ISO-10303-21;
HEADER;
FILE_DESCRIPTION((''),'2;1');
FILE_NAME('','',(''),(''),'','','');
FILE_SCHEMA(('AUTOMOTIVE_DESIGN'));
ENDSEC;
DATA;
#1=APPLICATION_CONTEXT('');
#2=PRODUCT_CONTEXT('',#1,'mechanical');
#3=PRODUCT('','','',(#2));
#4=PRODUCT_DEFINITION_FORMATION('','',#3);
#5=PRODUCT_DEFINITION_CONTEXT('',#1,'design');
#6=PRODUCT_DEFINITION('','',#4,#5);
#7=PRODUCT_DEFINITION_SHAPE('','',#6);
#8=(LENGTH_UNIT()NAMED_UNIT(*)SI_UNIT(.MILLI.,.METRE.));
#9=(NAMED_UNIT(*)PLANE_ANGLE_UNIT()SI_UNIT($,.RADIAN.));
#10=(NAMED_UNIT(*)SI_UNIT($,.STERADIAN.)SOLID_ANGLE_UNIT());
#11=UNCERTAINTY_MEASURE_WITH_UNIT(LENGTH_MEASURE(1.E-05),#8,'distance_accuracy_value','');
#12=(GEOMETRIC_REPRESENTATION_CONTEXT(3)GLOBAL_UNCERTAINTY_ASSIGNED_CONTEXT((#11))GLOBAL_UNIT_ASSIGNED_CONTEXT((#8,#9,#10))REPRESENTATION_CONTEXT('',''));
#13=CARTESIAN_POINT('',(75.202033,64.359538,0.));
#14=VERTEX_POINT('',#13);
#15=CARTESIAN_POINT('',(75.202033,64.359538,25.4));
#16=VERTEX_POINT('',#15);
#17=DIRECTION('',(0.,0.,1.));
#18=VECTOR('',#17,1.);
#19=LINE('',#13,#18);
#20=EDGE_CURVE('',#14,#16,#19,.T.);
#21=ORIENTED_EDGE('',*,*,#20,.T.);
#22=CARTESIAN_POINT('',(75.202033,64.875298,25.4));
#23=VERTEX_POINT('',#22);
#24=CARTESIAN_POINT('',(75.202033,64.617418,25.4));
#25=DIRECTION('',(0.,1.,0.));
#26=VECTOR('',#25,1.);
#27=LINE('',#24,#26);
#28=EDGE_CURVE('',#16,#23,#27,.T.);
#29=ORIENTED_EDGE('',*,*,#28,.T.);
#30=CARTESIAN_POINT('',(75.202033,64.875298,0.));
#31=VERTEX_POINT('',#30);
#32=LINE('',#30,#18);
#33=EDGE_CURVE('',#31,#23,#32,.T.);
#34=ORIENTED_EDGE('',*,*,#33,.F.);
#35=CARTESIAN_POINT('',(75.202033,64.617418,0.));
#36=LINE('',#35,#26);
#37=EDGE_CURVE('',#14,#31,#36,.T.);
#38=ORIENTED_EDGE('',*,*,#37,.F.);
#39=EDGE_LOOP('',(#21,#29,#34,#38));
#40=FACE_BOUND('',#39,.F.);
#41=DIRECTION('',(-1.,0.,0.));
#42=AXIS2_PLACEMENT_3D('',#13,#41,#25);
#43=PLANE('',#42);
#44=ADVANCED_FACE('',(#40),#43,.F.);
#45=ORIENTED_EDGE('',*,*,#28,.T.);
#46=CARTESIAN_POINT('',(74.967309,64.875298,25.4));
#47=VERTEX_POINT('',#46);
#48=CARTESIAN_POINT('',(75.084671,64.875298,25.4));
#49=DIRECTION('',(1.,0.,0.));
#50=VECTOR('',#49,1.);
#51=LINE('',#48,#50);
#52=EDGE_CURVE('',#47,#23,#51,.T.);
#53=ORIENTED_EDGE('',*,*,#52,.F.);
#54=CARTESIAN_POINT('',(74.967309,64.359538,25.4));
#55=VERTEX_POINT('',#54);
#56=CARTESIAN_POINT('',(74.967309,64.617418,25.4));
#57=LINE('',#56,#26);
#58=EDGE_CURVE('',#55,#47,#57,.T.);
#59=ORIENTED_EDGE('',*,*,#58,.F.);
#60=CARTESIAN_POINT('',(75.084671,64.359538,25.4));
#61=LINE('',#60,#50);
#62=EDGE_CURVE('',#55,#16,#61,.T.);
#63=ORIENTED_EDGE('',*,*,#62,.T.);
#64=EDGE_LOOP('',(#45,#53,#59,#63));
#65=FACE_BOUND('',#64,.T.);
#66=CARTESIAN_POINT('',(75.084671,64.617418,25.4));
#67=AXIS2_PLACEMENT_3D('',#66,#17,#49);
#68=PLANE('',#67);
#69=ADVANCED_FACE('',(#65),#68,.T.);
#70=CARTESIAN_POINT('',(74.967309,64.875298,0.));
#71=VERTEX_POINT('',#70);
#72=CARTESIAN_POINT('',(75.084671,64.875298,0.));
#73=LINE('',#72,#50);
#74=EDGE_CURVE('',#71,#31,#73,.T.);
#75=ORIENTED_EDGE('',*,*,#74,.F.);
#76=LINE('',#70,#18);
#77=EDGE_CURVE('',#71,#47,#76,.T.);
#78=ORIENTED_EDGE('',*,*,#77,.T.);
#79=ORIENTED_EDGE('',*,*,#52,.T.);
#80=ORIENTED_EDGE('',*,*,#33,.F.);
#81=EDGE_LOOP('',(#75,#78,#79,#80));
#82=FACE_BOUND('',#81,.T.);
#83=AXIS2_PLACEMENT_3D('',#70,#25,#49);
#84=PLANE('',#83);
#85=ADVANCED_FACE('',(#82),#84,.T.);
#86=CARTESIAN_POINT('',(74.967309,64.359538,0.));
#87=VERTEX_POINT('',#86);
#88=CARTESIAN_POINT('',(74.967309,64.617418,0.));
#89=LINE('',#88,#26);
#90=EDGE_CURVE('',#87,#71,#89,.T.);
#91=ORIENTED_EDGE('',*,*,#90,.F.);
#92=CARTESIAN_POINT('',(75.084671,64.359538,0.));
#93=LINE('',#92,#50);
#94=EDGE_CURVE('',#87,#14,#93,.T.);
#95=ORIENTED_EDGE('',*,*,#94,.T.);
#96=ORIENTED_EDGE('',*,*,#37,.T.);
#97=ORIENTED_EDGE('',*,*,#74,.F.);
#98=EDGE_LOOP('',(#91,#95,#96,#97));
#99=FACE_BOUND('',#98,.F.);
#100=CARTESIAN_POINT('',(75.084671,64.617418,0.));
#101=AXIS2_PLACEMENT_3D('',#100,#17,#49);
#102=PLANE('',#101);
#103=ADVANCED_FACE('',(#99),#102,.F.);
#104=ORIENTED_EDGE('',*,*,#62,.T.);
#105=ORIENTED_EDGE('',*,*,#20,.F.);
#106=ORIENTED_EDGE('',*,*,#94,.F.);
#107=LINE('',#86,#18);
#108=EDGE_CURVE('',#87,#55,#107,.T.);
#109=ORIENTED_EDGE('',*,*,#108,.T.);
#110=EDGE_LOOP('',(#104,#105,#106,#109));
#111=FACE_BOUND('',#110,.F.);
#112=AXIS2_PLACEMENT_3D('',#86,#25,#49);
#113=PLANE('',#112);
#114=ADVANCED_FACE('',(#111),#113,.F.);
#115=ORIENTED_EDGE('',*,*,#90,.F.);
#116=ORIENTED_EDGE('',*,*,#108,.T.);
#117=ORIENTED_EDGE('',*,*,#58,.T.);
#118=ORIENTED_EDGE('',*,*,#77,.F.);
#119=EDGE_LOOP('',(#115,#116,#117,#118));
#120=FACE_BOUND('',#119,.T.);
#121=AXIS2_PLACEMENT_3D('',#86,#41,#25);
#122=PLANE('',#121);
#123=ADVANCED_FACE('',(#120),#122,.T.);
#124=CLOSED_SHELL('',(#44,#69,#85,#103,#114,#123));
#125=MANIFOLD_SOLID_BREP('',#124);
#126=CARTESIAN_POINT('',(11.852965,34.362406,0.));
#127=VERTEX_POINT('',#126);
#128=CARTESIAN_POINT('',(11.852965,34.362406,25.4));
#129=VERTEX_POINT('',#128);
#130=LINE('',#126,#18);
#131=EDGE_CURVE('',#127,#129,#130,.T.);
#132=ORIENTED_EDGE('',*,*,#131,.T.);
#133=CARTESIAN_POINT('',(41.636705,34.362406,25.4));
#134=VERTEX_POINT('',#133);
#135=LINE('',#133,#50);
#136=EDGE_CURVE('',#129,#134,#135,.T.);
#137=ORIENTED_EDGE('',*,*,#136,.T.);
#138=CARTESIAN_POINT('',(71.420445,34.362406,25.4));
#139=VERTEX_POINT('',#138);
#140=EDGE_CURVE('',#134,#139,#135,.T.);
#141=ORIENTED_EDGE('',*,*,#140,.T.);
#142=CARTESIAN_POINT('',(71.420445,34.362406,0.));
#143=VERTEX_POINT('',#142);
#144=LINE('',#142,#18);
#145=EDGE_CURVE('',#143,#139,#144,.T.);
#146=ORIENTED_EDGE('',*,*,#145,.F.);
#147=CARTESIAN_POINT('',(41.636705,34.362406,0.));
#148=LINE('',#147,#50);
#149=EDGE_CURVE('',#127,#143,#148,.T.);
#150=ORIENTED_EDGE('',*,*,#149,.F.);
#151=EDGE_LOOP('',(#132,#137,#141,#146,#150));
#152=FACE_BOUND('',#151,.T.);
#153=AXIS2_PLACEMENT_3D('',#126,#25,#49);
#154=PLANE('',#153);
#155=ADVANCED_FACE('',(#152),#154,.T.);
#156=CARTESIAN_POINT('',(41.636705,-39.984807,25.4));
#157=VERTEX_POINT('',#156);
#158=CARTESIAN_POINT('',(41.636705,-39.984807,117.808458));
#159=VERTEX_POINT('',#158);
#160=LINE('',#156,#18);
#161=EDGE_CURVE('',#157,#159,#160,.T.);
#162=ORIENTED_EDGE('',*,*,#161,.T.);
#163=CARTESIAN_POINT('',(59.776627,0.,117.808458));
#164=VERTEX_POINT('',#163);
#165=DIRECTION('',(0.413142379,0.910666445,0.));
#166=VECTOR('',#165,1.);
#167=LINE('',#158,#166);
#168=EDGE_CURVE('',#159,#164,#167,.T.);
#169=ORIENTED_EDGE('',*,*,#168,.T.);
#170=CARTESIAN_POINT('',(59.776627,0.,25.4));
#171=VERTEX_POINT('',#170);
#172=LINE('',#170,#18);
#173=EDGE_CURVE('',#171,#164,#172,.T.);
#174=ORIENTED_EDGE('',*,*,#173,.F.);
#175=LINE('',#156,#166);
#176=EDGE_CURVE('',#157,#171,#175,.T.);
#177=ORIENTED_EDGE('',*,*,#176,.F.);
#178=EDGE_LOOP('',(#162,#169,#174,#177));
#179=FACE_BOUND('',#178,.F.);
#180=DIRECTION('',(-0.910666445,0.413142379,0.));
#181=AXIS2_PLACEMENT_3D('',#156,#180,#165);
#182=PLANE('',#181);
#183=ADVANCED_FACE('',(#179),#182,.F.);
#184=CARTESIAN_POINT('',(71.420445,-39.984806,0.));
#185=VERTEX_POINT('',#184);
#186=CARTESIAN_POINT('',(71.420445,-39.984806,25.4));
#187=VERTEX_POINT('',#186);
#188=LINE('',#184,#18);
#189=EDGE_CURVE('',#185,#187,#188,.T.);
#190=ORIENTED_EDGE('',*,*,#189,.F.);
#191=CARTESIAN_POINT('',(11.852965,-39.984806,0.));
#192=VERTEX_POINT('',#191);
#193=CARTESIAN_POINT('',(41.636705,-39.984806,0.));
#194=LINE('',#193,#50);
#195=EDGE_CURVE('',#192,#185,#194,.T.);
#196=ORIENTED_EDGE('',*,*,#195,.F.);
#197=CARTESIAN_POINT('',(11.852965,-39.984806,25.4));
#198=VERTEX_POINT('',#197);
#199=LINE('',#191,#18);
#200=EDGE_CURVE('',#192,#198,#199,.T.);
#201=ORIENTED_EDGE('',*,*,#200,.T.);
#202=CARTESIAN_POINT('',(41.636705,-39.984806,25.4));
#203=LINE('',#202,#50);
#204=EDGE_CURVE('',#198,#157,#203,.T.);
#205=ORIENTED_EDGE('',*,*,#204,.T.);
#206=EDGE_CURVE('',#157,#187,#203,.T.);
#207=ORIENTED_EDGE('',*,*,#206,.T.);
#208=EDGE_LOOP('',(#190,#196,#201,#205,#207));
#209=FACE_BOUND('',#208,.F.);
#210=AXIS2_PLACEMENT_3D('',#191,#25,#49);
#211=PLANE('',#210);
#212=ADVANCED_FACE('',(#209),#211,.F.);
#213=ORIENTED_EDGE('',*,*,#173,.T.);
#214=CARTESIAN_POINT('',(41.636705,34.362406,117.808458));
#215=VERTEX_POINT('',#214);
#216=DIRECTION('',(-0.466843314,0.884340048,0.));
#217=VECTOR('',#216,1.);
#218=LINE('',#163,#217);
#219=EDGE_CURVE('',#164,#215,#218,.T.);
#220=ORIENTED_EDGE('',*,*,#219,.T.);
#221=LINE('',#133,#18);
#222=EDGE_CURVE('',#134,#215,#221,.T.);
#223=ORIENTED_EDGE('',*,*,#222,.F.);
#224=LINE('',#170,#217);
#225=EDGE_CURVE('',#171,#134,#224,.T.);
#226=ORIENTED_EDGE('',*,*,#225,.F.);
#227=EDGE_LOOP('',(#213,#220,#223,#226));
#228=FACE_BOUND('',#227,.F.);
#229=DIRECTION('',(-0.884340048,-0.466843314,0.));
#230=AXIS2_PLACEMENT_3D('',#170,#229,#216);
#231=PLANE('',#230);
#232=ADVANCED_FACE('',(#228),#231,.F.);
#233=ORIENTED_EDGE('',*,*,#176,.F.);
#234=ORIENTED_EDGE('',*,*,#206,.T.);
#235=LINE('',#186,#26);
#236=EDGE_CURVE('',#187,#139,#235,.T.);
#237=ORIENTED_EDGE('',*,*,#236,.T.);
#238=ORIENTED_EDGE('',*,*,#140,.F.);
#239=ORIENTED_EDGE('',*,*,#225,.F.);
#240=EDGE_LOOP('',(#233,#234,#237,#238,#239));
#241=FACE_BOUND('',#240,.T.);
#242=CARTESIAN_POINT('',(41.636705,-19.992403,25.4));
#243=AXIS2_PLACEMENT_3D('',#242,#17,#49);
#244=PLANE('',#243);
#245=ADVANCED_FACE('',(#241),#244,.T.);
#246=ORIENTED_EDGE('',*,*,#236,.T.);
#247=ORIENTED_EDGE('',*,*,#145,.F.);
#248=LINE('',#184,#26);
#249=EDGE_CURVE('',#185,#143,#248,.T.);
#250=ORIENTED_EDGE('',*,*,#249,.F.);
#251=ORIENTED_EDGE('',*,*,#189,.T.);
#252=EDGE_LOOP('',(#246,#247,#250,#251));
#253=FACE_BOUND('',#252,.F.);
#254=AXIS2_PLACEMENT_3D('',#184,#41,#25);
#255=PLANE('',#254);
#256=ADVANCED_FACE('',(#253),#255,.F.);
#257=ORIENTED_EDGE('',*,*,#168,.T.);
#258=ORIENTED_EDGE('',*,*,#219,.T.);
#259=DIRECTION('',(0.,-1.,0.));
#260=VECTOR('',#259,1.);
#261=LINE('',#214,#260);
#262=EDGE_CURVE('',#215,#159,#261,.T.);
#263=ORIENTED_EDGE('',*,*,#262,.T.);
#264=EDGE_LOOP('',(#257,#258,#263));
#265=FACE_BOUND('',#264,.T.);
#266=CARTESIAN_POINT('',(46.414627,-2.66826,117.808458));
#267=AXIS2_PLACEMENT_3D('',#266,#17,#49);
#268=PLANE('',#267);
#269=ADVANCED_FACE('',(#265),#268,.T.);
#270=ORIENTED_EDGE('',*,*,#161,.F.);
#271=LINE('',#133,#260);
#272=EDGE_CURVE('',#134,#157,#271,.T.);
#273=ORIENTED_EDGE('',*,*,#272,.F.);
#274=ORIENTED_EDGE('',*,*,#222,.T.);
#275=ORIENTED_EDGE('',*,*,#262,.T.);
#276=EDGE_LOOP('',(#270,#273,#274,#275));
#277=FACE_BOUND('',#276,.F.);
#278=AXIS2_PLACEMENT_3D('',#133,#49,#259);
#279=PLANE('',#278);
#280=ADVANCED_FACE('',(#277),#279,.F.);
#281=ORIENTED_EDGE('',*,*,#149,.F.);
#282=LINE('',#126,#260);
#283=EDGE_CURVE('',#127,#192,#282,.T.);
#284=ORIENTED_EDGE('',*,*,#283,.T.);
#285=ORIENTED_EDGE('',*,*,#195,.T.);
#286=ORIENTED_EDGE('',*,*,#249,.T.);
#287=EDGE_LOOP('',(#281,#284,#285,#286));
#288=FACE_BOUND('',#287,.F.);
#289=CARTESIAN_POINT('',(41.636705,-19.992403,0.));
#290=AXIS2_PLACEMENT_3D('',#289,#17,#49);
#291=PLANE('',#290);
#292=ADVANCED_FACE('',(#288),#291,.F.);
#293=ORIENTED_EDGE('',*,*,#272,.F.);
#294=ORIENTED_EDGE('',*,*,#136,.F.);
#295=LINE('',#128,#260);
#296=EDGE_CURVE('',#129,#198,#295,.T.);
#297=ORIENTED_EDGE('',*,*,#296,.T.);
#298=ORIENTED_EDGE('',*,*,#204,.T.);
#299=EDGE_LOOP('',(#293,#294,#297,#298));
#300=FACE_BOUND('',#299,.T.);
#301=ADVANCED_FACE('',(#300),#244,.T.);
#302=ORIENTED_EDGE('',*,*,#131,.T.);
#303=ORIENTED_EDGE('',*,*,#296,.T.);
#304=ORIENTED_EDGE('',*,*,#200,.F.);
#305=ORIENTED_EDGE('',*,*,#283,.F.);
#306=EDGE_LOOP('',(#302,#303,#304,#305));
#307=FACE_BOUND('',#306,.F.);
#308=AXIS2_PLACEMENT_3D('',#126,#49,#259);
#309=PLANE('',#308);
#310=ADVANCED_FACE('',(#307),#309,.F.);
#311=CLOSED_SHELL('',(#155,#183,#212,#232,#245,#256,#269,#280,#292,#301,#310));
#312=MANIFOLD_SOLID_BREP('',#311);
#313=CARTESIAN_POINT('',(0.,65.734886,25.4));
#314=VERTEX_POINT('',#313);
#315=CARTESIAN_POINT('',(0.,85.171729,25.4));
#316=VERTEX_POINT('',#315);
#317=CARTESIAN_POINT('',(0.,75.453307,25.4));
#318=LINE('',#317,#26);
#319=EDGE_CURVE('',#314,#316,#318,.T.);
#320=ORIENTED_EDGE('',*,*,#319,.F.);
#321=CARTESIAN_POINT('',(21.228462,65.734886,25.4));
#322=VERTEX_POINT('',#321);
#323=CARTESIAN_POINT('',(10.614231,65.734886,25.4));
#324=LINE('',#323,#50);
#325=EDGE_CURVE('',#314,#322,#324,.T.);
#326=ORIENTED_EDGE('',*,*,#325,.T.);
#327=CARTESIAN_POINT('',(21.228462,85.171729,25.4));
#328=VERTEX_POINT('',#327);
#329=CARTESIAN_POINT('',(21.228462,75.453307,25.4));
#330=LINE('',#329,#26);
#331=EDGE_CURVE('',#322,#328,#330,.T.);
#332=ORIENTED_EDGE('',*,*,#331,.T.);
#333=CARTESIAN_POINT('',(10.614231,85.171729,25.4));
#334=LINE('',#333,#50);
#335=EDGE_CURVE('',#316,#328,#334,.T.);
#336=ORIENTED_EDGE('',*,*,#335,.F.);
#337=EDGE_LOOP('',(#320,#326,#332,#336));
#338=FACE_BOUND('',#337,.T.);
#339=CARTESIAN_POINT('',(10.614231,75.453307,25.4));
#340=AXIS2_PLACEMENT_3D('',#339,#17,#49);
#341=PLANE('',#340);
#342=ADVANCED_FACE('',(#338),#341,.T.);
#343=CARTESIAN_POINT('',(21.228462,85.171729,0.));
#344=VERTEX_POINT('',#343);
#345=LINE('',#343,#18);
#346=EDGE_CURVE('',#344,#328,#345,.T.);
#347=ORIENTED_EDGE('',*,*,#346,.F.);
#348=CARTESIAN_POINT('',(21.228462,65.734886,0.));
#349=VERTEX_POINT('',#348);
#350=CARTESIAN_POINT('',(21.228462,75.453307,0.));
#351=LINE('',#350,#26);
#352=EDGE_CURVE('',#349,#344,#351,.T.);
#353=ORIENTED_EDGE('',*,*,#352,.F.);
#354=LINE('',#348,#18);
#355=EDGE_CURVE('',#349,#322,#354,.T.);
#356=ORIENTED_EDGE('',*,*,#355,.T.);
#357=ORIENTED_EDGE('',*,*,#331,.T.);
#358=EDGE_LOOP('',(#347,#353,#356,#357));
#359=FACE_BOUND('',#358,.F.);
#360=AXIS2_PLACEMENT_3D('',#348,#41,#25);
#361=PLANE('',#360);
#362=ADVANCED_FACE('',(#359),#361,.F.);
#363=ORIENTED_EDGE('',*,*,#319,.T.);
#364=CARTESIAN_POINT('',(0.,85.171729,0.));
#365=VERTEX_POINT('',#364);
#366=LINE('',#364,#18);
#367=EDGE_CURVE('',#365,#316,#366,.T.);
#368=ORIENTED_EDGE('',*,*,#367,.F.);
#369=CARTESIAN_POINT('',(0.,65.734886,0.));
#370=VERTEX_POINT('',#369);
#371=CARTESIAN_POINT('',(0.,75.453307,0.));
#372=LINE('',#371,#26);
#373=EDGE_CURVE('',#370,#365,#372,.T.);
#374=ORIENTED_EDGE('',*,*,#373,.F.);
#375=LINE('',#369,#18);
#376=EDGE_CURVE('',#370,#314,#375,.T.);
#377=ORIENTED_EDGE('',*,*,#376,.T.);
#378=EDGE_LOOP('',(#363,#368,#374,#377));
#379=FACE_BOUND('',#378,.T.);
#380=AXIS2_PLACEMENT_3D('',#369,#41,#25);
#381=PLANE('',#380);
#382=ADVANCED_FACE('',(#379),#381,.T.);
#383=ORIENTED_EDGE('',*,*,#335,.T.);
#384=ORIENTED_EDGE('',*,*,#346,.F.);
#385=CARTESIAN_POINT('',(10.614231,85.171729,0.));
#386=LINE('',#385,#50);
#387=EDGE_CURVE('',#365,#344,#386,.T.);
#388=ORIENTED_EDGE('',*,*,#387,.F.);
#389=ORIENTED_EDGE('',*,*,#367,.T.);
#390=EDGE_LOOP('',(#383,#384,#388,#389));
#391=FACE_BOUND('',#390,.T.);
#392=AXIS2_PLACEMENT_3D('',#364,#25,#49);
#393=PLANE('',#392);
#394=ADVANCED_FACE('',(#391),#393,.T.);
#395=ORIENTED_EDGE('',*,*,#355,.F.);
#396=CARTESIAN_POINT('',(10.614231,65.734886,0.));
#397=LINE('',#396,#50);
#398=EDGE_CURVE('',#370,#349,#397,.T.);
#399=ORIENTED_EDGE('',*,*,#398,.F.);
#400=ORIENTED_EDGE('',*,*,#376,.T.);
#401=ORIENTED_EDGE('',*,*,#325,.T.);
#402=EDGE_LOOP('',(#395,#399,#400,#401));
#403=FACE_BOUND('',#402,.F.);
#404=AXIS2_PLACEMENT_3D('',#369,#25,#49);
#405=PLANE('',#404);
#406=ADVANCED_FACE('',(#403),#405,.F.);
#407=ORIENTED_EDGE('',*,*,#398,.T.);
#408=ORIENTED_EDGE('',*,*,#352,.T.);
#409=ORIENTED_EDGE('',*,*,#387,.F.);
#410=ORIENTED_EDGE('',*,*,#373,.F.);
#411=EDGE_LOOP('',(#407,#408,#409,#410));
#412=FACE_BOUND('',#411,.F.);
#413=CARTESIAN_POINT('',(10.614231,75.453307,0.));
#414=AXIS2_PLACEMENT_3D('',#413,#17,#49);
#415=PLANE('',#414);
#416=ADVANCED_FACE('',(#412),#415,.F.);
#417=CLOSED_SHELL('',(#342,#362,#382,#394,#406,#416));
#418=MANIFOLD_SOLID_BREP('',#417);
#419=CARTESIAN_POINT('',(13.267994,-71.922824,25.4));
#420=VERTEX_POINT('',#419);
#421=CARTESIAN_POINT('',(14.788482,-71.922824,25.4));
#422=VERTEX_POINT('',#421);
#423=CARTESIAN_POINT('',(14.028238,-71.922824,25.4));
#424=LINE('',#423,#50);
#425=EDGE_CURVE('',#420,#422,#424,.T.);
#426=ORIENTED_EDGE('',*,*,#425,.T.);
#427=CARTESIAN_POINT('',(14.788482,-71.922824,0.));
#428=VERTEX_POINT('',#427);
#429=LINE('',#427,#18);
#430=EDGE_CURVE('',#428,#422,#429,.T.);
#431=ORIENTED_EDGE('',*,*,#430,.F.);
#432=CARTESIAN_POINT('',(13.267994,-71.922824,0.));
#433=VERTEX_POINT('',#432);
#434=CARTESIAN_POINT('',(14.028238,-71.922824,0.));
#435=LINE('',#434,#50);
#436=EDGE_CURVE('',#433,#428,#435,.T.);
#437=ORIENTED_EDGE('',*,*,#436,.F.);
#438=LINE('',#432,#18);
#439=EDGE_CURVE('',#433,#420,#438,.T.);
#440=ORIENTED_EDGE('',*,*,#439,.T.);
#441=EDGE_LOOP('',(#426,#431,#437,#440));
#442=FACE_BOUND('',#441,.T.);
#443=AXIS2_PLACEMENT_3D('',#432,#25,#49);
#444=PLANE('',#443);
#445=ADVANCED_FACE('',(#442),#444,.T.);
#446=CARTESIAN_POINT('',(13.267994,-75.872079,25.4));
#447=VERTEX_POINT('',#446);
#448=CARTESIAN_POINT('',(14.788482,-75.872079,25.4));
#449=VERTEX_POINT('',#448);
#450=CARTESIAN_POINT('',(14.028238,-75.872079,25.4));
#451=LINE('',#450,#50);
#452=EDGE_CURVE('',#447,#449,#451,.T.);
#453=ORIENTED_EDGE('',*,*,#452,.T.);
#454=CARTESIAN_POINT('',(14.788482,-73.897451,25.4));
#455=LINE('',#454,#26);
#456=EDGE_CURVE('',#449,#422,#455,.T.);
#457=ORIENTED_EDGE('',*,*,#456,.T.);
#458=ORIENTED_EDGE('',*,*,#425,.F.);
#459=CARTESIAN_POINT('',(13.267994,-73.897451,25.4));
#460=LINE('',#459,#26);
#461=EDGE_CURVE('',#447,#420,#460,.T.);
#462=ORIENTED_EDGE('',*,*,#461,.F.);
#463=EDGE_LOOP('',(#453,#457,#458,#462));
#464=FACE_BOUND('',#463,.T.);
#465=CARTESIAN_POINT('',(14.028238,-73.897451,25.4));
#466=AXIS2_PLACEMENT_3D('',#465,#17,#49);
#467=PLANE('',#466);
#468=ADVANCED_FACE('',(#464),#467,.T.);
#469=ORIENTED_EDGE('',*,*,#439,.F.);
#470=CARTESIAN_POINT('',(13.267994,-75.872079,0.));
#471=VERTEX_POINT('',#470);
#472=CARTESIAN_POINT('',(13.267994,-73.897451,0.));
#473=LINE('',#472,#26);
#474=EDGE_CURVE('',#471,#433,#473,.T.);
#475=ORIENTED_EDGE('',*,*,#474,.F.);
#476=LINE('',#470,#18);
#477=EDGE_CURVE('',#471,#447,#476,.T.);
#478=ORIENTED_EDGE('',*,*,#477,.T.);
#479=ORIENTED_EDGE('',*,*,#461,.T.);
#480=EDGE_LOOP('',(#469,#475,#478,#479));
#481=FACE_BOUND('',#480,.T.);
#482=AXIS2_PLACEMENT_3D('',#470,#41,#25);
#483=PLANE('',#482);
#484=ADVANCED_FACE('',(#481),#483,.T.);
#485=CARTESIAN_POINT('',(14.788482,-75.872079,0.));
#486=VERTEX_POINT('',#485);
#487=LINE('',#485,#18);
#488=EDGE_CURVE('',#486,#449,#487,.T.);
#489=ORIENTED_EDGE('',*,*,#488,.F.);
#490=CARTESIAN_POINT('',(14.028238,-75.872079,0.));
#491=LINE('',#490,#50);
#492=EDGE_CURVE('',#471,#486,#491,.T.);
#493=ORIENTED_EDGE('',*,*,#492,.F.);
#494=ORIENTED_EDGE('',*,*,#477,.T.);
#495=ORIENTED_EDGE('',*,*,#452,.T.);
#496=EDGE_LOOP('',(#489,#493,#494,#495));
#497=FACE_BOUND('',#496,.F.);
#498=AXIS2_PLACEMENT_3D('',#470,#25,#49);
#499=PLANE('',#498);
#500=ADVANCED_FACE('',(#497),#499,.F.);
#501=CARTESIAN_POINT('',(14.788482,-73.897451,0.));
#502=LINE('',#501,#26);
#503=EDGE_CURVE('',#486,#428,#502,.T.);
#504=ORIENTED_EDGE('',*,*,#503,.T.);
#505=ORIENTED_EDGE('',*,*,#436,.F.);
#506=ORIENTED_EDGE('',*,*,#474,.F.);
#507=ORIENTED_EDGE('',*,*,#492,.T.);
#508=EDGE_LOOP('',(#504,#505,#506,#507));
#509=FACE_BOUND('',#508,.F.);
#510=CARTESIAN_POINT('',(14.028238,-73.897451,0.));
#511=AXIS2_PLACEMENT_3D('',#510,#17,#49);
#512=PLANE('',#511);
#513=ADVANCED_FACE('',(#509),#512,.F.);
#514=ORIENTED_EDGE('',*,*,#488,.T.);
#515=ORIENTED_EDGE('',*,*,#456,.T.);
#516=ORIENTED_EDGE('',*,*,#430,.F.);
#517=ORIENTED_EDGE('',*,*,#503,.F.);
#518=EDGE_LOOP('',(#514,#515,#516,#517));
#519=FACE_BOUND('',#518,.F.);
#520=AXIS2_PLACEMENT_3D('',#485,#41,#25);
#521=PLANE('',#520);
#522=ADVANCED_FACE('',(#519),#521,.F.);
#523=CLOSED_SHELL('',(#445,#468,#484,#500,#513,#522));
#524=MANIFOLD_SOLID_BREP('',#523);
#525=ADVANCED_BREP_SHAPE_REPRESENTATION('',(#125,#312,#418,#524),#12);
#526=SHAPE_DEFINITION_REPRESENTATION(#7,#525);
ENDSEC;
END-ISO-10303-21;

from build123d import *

# Parameters (mm, degrees)
F0_W     = 59.567481
F0_H     = 39.984807
F0_H_2   = 34.362406
F0_W_2   = 0.234723
F0_H_3   = 0.515759
F0_W_3   = 1.520488
F0_H_4   = 3.949255
F0_W_4   = 21.228462
F0_H_5   = 19.436843
F1_DEPTH = 25.4
F3_DEPTH = 92.408458


with BuildPart() as f1:
    # F0 (on Top) → F1 (new body)
    with BuildSketch(Plane.XY):
        with Locations((41.636705, -19.992403)):
            Rectangle(F0_W, F0_H)
        with Locations((41.636705, 17.181203)):
            Rectangle(F0_W, F0_H_2)
        with Locations((75.084671, 64.617418)):
            Rectangle(F0_W_2, F0_H_3)
        with Locations((14.028238, -73.897451)):
            Rectangle(F0_W_3, F0_H_4)
        with Locations((10.614231, 75.453307)):
            Rectangle(F0_W_4, F0_H_5)
    extrude(amount=F1_DEPTH)

    # F2 (on face) → F3 (join)
    with BuildSketch(Plane.XY.offset(25.4)):
        Polygon((41.636705, 34.362406), (41.636705, -39.984807), (59.776627, 0), align=None)
    extrude(amount=F3_DEPTH)


solid = f1.part
